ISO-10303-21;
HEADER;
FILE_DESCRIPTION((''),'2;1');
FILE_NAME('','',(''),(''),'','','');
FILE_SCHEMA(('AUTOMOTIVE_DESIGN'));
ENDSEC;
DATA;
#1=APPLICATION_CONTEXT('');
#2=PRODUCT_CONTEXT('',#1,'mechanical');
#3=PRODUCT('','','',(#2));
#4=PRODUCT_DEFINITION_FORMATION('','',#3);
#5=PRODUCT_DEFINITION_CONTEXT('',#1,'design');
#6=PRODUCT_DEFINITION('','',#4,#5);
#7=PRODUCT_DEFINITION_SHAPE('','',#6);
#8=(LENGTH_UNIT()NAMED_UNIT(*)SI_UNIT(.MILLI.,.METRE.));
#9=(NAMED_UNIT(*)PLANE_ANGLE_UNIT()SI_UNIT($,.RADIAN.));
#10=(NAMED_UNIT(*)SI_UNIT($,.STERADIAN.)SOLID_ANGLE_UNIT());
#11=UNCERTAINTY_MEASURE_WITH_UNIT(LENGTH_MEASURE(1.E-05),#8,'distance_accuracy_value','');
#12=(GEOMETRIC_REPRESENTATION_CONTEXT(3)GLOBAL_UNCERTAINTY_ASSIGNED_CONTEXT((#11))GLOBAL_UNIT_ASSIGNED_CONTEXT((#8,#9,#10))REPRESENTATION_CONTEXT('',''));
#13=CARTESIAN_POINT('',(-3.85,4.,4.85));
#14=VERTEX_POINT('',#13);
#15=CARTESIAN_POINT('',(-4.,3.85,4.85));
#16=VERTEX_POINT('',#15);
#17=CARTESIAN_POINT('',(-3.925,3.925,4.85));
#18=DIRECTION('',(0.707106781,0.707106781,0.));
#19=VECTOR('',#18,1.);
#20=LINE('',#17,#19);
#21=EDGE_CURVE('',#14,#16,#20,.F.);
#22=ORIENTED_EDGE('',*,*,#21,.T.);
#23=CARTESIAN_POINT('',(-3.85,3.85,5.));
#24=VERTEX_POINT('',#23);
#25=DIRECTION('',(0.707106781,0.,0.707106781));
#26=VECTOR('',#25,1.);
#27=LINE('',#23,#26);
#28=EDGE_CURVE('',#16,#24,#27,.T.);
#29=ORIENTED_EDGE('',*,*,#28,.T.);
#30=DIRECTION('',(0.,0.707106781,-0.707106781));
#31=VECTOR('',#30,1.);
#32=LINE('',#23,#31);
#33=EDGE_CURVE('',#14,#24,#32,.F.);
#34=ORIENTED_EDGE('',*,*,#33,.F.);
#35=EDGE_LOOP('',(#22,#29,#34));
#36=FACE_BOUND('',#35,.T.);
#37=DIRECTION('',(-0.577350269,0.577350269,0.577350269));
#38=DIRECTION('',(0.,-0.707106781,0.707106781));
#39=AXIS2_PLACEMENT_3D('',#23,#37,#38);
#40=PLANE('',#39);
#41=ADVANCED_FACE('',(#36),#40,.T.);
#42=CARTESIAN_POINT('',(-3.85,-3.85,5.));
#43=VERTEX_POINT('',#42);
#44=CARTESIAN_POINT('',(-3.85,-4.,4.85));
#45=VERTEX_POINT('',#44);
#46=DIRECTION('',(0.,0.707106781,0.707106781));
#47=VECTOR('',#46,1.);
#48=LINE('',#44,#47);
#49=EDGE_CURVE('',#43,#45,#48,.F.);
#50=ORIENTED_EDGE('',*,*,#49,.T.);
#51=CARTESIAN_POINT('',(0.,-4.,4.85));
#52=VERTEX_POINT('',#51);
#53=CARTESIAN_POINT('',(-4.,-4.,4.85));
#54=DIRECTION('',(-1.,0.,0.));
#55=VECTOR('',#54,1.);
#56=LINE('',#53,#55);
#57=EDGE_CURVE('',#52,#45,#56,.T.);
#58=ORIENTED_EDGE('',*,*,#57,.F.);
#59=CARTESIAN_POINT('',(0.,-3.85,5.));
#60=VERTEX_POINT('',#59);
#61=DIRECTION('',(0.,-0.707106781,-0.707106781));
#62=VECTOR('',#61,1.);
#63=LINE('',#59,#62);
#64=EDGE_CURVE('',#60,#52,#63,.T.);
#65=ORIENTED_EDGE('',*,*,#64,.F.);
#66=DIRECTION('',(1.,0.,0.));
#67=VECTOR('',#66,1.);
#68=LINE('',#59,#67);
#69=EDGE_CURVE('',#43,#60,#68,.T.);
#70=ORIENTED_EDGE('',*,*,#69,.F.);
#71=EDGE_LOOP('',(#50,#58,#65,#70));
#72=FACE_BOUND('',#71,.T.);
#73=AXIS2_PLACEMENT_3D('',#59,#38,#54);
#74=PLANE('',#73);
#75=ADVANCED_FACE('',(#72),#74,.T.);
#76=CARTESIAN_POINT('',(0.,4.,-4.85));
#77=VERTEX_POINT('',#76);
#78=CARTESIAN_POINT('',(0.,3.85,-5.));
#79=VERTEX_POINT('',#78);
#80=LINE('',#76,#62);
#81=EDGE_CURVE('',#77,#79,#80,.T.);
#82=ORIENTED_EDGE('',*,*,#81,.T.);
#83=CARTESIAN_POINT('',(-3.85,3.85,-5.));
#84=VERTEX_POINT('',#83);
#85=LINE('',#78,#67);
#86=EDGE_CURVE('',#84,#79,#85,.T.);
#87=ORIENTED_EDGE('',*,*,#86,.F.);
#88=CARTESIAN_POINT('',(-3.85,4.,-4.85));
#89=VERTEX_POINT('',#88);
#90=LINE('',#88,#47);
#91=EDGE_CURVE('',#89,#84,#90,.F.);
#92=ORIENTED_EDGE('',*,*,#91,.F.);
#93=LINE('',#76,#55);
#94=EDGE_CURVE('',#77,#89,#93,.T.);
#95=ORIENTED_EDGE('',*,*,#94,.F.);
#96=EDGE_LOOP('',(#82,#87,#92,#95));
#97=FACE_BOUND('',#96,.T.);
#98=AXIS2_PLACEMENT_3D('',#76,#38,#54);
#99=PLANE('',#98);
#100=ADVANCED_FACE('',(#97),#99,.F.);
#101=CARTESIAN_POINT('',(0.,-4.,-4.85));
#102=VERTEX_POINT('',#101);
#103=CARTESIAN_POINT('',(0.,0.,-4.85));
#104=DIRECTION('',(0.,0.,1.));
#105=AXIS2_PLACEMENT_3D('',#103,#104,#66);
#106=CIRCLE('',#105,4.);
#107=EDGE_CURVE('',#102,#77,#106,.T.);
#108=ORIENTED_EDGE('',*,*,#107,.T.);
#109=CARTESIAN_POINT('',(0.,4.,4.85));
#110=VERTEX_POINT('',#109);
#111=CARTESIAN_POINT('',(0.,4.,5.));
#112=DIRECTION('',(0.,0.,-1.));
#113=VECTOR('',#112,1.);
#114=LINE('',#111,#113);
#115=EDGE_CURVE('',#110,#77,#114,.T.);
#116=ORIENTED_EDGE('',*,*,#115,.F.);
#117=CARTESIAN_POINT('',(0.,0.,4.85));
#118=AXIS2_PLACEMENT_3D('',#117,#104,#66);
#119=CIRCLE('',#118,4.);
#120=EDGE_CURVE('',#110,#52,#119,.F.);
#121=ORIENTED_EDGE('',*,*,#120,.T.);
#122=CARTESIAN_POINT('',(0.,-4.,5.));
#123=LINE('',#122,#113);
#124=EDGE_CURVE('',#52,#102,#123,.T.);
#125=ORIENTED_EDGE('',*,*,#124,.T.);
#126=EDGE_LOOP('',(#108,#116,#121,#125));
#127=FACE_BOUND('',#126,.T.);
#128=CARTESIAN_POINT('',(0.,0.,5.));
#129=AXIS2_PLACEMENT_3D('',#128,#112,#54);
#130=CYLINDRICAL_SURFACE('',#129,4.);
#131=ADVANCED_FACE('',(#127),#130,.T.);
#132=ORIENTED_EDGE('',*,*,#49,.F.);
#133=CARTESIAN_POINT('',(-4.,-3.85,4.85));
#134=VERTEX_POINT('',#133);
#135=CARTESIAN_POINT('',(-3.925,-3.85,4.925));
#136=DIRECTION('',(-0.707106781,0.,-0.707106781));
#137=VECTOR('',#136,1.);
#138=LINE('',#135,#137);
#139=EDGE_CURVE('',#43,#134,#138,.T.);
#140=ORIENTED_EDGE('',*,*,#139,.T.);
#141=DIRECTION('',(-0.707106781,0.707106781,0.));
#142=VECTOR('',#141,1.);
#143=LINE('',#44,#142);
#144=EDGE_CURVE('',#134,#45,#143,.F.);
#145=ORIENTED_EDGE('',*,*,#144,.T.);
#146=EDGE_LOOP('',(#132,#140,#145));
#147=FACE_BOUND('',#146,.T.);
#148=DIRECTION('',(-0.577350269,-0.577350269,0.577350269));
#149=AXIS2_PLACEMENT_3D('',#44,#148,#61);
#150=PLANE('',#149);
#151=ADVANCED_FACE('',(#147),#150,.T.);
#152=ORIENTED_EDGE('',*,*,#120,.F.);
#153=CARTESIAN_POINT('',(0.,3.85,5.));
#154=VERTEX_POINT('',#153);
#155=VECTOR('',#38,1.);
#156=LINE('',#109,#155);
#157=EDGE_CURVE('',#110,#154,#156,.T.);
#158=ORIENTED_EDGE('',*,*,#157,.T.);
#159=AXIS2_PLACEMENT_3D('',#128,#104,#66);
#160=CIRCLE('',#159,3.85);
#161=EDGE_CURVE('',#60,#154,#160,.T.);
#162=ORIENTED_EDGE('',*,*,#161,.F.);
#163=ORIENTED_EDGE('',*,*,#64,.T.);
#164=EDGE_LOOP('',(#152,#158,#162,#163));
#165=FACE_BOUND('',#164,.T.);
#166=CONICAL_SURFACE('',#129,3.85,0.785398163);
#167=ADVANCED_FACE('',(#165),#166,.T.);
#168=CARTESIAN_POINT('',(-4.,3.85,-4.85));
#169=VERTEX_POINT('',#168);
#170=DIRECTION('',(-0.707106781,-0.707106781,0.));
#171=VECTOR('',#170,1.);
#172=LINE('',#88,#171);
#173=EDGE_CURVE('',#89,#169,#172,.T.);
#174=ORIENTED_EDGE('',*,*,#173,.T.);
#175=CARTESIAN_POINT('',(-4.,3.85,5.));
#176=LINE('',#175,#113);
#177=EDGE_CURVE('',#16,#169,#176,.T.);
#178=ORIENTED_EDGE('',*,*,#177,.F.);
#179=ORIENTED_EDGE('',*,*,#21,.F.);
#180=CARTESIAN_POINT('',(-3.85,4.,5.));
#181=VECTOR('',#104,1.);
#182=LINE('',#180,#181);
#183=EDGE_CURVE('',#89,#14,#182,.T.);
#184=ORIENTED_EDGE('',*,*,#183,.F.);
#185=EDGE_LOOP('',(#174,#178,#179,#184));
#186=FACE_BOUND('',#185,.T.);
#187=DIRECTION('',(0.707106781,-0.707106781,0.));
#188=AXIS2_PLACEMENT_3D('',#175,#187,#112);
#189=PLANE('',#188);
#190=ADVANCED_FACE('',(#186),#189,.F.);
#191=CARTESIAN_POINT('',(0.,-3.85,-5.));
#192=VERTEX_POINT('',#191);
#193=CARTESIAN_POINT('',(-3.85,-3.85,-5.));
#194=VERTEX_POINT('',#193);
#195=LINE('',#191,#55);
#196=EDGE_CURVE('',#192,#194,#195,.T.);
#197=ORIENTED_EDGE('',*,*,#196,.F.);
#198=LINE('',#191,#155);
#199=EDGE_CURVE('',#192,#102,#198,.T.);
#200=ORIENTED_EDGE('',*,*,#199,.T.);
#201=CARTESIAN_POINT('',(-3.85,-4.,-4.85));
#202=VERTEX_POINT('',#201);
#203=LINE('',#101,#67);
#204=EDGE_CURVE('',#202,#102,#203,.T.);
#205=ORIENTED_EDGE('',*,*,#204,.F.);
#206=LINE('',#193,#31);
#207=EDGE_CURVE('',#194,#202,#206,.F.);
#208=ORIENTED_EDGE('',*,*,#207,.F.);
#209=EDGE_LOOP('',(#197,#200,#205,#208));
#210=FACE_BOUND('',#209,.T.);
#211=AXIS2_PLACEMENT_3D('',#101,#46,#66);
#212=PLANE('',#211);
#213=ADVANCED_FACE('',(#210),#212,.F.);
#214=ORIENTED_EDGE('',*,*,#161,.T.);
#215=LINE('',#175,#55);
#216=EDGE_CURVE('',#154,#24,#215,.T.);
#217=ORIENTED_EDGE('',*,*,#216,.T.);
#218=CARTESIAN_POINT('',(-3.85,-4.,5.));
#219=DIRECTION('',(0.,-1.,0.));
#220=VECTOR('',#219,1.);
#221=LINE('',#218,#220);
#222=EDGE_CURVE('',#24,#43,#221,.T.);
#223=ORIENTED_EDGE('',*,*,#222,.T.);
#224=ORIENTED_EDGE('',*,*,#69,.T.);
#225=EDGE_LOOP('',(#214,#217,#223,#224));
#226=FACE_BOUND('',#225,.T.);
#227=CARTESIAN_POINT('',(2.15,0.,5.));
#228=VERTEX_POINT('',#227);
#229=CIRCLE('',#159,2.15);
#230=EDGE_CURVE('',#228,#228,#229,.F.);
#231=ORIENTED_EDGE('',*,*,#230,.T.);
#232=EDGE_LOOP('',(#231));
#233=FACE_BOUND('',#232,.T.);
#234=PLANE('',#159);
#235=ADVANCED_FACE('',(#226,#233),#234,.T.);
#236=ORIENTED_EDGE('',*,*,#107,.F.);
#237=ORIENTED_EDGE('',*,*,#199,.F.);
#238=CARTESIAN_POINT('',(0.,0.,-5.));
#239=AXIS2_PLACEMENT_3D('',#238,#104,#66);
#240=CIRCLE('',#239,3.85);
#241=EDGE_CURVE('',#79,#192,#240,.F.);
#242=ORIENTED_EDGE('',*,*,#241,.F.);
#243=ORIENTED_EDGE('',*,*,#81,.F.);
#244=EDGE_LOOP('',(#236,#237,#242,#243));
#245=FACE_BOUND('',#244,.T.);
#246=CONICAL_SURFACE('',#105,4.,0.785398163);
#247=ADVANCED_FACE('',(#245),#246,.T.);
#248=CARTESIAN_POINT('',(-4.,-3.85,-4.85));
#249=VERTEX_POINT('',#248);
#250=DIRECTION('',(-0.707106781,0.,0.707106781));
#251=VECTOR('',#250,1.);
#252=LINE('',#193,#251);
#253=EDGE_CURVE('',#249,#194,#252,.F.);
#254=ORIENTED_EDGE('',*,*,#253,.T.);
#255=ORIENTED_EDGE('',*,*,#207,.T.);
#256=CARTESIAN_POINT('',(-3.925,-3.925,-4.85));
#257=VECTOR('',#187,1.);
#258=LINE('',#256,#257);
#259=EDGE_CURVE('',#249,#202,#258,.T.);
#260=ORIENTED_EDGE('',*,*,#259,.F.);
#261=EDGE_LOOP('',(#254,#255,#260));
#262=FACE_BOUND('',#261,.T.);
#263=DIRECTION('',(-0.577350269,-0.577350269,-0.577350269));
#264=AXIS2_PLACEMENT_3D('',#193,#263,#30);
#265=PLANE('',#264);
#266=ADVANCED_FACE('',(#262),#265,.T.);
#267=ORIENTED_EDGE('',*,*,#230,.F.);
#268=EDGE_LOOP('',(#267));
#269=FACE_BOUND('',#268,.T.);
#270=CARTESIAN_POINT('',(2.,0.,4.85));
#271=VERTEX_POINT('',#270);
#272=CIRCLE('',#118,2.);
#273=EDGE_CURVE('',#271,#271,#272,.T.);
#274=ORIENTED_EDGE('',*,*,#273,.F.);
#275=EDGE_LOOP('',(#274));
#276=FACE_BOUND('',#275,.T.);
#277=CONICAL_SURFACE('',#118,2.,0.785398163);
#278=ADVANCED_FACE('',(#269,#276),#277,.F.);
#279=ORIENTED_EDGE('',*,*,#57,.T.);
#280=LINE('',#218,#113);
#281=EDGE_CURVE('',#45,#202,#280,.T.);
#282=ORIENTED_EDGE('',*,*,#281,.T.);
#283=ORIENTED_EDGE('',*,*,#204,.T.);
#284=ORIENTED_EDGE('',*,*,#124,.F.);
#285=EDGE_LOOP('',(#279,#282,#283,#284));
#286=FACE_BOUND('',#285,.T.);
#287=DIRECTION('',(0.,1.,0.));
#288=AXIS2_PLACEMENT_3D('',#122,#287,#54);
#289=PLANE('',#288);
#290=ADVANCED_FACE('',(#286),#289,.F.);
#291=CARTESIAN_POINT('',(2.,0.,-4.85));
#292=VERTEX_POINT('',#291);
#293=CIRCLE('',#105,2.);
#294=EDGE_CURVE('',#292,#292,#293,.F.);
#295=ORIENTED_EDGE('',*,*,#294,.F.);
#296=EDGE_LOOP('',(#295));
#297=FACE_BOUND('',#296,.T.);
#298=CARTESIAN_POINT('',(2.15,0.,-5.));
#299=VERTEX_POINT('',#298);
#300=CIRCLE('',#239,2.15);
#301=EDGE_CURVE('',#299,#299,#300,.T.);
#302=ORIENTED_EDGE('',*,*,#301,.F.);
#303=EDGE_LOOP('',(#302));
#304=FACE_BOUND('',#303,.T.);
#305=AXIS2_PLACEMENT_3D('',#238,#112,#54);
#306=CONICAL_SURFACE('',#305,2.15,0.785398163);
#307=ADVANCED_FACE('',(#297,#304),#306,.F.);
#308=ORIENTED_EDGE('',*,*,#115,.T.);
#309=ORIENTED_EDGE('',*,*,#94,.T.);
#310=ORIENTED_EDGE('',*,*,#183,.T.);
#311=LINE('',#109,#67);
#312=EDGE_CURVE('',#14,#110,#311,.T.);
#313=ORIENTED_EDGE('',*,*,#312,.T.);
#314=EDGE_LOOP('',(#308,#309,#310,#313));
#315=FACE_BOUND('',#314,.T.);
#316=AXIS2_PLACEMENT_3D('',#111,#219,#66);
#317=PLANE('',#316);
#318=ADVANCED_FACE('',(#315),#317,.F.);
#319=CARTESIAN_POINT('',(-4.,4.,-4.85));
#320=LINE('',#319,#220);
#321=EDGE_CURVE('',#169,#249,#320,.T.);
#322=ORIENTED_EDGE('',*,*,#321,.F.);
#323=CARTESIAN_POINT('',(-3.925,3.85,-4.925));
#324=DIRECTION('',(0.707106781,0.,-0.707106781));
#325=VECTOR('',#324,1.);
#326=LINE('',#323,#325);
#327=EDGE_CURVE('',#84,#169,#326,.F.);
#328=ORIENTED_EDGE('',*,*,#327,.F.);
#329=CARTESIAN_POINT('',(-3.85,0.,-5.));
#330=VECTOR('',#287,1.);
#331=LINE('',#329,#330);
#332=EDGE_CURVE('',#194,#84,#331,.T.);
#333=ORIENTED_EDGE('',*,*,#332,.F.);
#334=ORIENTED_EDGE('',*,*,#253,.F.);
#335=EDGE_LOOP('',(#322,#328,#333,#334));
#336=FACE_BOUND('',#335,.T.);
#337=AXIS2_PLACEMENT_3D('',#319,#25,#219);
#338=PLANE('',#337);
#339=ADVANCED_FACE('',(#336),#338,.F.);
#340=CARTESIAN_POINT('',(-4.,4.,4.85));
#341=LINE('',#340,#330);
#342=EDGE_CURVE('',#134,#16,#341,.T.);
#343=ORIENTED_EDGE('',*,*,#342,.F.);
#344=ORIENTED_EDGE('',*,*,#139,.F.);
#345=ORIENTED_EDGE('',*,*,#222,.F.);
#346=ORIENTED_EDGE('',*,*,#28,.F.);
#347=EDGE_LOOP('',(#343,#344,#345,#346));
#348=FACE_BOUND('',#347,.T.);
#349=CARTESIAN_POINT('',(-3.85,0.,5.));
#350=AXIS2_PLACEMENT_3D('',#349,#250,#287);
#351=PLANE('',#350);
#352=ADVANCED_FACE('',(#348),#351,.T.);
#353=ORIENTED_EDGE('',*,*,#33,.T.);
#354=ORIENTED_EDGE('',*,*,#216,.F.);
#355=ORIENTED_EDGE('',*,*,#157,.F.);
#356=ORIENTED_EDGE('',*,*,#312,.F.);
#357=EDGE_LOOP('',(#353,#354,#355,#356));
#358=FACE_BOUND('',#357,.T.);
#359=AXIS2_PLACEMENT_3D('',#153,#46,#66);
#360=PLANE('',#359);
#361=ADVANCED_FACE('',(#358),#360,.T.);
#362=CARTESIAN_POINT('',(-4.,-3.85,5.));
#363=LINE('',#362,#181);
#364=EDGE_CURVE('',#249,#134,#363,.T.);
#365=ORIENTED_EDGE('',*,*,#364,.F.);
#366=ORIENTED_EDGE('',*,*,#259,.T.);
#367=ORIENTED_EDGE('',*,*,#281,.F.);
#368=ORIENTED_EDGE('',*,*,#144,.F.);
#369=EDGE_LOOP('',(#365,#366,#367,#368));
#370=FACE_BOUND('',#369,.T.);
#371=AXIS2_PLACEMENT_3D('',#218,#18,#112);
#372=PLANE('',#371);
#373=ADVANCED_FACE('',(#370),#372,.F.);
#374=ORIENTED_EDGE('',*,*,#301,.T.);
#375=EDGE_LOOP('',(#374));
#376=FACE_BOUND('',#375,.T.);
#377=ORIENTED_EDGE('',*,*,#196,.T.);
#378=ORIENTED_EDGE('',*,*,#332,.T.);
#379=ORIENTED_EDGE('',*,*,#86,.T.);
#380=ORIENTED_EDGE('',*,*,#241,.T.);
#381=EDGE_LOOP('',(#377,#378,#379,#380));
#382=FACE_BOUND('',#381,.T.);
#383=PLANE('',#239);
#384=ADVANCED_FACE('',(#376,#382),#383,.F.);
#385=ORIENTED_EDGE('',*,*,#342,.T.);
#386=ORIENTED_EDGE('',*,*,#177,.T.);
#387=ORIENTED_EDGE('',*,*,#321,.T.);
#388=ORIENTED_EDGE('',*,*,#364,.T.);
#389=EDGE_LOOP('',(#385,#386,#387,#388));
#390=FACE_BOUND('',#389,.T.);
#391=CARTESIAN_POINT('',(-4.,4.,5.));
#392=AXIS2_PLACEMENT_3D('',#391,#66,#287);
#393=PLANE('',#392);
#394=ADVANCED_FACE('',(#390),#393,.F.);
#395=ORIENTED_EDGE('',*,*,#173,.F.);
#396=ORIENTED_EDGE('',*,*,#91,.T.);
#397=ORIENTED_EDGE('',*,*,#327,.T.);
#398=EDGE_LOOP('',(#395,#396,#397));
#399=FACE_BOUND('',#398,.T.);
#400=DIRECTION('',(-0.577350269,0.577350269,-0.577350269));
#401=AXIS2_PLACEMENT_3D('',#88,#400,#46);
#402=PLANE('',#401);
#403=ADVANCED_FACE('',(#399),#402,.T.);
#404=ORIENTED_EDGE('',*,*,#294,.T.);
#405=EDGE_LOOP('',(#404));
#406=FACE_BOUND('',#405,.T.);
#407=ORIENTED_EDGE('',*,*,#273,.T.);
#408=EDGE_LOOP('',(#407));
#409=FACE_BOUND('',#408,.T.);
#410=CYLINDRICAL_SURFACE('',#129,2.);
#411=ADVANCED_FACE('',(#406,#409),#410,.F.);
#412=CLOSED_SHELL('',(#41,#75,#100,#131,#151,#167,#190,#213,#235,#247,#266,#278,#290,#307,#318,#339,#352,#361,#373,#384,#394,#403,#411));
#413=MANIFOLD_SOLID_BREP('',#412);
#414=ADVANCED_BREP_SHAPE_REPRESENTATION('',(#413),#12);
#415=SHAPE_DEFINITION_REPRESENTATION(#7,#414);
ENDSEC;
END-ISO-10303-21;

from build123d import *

# Parameters (mm, degrees)
SKETCH1_R           = 2
BOSS_EXTRUDE1_DEPTH = 5
CHAMFER1_SIZE       = 0.15


with BuildPart() as part:
    # Sketch1 → Boss-Extrude1 (new, symmetric)
    with BuildSketch(Plane.XY):
        with BuildLine():
            Line((0, 4), (-4, 4))
            Line((-4, 4), (-4, -4))
            Line((-4, -4), (0, -4))
            ThreePointArc((0, -4), (4, 0), (0, 4))
        make_face()
        Circle(SKETCH1_R, mode=Mode.SUBTRACT)
    extrude(amount=BOSS_EXTRUDE1_DEPTH, both=True)

    # Chamfer1
    chamfer1_edges = [part.edges().sort_by_distance(p)[0] for p in [
        (-2, 0, -5),
        (-2, 0, 5),
        (-4, 0, 5),
        (-2, -4, 5),
        (4, 0, 5),
        (-2, -4, -5),
        (-4, 0, -5),
        (-2, 4, -5),
        (4, 0, -5),
        (-4, -4, 0),
        (-4, 4, 0),
        (-2, 4, 5),
    ]]
    chamfer(chamfer1_edges, length=CHAMFER1_SIZE)


solid = part.part
